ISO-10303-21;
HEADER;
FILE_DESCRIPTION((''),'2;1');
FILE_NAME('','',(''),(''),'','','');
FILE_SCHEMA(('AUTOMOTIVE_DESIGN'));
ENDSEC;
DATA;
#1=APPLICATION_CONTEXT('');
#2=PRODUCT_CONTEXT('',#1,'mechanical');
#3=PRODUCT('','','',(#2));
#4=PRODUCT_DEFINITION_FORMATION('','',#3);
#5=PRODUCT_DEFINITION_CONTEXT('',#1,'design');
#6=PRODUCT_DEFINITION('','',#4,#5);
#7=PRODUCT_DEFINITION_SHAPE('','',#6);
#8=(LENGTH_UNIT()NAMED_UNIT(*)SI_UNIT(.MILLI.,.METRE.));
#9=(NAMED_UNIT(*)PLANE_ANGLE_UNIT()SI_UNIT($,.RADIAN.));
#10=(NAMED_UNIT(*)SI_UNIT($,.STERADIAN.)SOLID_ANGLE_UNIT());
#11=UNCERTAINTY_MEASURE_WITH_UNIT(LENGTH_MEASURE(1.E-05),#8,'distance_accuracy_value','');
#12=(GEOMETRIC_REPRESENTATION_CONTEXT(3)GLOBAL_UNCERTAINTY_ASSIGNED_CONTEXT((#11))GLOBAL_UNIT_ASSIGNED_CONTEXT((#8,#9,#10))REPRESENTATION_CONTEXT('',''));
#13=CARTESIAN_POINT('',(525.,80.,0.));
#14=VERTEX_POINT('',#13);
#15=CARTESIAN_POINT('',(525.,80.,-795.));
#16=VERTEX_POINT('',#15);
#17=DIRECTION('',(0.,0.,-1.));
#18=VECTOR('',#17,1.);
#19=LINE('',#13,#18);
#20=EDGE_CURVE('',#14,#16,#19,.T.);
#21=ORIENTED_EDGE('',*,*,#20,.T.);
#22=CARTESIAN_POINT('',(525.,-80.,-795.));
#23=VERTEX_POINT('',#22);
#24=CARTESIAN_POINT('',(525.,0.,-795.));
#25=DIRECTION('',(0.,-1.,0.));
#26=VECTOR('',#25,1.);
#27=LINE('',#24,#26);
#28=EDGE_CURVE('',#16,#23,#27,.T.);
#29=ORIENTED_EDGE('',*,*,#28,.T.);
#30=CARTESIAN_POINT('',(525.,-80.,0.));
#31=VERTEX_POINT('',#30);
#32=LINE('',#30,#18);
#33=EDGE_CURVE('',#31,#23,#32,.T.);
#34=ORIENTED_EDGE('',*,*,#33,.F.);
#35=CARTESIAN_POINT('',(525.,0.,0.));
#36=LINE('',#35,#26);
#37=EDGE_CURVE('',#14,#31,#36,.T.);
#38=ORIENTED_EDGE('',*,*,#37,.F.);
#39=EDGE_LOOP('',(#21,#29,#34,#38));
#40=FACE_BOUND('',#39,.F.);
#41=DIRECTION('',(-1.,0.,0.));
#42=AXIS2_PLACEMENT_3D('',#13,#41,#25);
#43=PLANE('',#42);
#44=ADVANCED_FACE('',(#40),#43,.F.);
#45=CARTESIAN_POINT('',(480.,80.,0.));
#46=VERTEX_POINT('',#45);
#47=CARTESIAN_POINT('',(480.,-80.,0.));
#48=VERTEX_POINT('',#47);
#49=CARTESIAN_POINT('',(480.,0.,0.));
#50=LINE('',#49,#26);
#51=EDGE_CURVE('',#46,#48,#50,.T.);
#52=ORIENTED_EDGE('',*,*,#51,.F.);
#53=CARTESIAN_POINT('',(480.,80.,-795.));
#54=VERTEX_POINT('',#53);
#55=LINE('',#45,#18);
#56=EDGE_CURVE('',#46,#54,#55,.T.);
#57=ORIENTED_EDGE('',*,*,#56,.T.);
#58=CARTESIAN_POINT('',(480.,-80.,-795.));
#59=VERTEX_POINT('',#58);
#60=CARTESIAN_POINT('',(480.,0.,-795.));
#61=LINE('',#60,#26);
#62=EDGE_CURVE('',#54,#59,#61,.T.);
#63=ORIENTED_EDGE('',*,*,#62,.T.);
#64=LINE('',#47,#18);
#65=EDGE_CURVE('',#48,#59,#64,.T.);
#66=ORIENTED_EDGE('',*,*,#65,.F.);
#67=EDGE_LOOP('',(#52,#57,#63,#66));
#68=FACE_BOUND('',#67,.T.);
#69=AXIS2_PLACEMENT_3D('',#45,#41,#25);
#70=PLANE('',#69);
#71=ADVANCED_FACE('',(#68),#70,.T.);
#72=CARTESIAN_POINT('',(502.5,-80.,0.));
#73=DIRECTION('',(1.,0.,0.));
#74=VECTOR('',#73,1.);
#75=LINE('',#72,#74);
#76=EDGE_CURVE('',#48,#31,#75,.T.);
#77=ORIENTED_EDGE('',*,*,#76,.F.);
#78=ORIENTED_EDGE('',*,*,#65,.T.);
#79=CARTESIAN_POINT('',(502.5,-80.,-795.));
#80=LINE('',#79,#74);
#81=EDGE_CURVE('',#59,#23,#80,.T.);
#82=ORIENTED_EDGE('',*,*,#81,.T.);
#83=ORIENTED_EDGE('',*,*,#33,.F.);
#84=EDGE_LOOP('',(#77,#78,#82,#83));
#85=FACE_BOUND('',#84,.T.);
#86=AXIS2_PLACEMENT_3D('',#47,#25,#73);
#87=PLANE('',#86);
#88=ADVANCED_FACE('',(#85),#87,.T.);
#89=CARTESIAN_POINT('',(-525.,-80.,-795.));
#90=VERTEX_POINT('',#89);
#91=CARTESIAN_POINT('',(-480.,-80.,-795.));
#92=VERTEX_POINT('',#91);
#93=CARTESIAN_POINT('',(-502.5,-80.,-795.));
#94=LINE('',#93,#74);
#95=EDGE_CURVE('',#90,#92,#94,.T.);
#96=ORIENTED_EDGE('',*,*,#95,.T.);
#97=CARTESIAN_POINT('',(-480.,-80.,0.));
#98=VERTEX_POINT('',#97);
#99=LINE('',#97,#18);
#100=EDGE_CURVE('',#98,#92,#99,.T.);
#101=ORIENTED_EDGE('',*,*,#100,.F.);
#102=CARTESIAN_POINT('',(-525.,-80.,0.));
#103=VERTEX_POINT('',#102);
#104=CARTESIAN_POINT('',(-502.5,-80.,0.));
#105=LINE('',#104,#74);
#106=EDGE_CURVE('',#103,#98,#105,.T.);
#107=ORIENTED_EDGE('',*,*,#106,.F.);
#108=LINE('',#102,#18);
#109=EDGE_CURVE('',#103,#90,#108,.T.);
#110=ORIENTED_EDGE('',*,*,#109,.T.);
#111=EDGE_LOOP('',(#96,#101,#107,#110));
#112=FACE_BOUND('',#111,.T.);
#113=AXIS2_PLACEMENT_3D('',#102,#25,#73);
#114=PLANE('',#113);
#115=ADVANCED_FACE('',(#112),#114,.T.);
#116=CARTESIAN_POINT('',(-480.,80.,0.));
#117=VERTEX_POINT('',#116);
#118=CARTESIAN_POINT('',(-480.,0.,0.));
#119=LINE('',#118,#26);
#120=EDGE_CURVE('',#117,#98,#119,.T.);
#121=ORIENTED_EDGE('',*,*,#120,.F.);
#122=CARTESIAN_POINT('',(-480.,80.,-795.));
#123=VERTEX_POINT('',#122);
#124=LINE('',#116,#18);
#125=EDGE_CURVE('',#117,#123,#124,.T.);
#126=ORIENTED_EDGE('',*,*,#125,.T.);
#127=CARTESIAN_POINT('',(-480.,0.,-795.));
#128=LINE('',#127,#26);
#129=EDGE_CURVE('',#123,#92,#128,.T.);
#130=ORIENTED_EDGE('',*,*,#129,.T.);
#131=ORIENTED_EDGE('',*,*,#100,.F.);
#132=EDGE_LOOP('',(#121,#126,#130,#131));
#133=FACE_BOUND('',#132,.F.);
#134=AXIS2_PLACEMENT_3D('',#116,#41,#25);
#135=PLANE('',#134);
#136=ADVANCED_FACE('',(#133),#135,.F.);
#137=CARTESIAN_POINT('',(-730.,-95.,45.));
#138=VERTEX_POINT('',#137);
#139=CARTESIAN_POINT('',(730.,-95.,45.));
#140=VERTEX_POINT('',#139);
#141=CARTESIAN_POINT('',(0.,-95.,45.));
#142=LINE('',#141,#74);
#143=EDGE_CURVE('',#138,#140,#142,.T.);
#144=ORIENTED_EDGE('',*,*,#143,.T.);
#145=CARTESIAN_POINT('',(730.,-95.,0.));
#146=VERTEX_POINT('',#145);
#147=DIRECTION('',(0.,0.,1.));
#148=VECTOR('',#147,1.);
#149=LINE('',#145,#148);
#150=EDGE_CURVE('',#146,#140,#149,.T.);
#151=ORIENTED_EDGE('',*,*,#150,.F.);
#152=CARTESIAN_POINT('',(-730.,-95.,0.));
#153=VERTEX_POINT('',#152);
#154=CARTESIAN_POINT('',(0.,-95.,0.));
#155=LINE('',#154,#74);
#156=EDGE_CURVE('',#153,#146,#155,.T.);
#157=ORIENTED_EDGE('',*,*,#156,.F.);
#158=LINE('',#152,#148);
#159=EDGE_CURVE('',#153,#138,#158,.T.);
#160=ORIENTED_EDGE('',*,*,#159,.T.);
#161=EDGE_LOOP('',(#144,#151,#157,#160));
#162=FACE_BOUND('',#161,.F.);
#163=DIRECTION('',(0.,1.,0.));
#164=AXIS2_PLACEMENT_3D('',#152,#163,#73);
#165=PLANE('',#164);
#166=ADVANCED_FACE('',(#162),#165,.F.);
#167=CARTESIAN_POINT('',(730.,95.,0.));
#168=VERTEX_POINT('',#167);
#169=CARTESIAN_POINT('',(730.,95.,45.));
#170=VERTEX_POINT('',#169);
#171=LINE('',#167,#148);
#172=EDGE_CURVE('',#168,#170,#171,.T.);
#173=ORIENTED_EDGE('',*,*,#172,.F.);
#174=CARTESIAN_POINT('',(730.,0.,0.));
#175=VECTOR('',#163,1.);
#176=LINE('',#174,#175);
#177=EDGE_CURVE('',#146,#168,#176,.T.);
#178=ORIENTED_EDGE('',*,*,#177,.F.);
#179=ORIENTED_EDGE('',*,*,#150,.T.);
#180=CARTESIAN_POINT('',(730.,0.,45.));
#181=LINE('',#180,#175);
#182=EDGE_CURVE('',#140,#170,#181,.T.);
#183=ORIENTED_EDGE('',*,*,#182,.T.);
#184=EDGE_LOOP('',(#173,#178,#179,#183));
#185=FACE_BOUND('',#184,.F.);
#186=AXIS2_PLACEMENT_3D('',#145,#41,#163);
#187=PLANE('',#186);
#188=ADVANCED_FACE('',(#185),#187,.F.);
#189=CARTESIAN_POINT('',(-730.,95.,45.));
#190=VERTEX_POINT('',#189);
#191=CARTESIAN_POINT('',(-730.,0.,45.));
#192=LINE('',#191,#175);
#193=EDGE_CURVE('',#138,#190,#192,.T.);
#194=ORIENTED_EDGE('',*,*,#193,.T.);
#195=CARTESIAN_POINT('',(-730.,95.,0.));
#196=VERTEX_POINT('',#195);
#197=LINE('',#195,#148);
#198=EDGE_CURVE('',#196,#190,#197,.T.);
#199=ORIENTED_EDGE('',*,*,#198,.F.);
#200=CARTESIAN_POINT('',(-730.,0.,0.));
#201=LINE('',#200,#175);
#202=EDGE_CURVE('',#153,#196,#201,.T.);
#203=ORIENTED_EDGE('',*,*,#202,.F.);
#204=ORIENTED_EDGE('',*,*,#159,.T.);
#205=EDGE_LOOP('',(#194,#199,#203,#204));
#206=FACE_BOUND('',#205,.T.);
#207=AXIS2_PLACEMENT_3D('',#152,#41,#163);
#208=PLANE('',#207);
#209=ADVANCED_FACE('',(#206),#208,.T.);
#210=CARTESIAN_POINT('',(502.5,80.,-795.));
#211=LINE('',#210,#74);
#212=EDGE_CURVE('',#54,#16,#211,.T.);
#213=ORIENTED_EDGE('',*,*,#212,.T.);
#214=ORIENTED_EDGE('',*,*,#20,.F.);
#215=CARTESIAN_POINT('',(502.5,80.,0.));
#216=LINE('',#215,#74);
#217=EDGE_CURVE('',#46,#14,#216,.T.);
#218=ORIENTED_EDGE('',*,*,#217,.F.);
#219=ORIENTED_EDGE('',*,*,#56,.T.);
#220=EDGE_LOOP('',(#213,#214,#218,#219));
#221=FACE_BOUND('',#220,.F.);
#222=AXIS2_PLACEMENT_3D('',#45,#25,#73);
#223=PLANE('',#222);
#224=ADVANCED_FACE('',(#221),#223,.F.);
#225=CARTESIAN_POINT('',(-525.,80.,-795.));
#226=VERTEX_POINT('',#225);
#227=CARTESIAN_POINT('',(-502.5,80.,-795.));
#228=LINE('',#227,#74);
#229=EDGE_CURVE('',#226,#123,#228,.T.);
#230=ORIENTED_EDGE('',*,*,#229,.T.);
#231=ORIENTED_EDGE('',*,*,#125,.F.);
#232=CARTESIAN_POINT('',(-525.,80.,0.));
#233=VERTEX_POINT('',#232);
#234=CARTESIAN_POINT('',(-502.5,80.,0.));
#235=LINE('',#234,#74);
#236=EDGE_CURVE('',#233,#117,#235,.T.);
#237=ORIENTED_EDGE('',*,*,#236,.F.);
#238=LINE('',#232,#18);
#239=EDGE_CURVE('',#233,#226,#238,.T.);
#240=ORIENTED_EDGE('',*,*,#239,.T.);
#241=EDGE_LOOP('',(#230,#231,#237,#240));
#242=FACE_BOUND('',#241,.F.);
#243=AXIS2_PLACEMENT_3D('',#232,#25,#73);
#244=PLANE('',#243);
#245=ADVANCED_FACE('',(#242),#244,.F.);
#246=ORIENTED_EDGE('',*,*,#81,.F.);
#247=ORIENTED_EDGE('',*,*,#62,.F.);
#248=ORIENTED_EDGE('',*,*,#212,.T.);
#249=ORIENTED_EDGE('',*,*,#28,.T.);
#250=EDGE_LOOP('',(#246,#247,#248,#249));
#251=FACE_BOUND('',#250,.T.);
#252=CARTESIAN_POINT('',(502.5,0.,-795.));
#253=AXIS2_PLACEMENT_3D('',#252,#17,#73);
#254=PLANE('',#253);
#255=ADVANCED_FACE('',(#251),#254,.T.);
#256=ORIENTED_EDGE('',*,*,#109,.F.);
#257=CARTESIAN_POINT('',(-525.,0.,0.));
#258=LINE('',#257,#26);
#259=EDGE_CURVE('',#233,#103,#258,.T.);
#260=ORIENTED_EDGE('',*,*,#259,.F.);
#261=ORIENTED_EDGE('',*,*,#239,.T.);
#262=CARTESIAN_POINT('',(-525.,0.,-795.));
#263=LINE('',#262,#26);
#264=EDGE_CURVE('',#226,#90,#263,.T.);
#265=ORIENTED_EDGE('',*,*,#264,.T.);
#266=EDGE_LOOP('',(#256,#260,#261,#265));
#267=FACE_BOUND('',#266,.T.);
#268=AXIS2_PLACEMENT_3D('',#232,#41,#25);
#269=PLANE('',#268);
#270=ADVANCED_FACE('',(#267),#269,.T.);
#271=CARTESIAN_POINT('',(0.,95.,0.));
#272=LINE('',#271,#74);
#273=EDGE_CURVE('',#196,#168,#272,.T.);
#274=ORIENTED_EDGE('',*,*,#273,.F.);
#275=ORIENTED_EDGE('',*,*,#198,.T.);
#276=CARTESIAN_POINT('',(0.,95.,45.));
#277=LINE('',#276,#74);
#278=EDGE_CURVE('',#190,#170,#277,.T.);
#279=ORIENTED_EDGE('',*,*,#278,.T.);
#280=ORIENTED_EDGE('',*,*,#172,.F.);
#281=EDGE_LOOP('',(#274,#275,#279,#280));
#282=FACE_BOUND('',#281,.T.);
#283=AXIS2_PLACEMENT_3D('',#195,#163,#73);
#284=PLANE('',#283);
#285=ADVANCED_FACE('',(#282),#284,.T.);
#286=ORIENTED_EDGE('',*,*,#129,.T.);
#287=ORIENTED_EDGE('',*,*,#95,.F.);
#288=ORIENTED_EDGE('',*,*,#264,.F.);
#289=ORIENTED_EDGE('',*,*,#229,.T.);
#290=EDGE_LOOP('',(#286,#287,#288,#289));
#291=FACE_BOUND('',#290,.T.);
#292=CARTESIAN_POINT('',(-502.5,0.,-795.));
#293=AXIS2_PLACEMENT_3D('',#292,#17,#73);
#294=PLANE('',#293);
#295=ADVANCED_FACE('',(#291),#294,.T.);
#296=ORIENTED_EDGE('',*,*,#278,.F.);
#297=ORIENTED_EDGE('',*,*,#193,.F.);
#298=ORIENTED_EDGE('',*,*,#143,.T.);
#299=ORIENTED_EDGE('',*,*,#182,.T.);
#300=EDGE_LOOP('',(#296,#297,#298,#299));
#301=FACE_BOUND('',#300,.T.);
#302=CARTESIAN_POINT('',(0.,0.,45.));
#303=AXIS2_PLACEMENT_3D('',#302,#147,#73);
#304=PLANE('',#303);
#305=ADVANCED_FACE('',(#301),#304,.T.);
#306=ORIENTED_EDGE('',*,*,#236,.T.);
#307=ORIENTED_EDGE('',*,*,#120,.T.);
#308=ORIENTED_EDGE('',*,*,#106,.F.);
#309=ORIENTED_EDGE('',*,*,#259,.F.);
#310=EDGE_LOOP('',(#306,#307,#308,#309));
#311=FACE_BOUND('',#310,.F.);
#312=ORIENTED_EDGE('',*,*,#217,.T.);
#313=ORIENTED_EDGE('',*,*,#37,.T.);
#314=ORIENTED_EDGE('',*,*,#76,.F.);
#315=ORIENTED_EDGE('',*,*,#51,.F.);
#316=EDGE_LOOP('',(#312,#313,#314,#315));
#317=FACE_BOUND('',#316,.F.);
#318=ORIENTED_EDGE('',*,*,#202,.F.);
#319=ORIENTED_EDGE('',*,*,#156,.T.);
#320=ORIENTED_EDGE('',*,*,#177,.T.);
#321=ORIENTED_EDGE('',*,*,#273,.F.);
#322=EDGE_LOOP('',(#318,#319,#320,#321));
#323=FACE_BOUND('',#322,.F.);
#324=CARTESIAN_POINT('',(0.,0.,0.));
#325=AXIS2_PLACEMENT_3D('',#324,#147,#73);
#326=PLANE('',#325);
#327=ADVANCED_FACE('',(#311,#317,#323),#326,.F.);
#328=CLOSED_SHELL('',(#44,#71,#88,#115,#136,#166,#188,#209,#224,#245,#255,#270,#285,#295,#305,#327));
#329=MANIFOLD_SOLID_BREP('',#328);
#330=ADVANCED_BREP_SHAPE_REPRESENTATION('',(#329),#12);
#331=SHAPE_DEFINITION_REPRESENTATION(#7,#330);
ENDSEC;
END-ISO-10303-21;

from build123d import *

# Parameters (mm, degrees)
F0_W     = 1460
F0_H     = 190
F1_DEPTH = 45
F2_W     = 45
F2_H     = 160
F3_DEPTH = 795


with BuildPart() as f1:
    # F0 (on Top) → F1 (new body)
    with BuildSketch(Plane.XY):
        Rectangle(F0_W, F0_H)
    extrude(amount=F1_DEPTH)

    # F2 (on face) → F3 (join)
    with BuildSketch(Plane(origin=(0, 0, 0), x_dir=(1, 0, 0), z_dir=(0, 0, -1))):
        with Locations((-502.5, 0)):
            Rectangle(F2_W, F2_H)
        with Locations((502.5, 0)):
            Rectangle(F2_W, F2_H)
    extrude(amount=F3_DEPTH)


solid = f1.part
